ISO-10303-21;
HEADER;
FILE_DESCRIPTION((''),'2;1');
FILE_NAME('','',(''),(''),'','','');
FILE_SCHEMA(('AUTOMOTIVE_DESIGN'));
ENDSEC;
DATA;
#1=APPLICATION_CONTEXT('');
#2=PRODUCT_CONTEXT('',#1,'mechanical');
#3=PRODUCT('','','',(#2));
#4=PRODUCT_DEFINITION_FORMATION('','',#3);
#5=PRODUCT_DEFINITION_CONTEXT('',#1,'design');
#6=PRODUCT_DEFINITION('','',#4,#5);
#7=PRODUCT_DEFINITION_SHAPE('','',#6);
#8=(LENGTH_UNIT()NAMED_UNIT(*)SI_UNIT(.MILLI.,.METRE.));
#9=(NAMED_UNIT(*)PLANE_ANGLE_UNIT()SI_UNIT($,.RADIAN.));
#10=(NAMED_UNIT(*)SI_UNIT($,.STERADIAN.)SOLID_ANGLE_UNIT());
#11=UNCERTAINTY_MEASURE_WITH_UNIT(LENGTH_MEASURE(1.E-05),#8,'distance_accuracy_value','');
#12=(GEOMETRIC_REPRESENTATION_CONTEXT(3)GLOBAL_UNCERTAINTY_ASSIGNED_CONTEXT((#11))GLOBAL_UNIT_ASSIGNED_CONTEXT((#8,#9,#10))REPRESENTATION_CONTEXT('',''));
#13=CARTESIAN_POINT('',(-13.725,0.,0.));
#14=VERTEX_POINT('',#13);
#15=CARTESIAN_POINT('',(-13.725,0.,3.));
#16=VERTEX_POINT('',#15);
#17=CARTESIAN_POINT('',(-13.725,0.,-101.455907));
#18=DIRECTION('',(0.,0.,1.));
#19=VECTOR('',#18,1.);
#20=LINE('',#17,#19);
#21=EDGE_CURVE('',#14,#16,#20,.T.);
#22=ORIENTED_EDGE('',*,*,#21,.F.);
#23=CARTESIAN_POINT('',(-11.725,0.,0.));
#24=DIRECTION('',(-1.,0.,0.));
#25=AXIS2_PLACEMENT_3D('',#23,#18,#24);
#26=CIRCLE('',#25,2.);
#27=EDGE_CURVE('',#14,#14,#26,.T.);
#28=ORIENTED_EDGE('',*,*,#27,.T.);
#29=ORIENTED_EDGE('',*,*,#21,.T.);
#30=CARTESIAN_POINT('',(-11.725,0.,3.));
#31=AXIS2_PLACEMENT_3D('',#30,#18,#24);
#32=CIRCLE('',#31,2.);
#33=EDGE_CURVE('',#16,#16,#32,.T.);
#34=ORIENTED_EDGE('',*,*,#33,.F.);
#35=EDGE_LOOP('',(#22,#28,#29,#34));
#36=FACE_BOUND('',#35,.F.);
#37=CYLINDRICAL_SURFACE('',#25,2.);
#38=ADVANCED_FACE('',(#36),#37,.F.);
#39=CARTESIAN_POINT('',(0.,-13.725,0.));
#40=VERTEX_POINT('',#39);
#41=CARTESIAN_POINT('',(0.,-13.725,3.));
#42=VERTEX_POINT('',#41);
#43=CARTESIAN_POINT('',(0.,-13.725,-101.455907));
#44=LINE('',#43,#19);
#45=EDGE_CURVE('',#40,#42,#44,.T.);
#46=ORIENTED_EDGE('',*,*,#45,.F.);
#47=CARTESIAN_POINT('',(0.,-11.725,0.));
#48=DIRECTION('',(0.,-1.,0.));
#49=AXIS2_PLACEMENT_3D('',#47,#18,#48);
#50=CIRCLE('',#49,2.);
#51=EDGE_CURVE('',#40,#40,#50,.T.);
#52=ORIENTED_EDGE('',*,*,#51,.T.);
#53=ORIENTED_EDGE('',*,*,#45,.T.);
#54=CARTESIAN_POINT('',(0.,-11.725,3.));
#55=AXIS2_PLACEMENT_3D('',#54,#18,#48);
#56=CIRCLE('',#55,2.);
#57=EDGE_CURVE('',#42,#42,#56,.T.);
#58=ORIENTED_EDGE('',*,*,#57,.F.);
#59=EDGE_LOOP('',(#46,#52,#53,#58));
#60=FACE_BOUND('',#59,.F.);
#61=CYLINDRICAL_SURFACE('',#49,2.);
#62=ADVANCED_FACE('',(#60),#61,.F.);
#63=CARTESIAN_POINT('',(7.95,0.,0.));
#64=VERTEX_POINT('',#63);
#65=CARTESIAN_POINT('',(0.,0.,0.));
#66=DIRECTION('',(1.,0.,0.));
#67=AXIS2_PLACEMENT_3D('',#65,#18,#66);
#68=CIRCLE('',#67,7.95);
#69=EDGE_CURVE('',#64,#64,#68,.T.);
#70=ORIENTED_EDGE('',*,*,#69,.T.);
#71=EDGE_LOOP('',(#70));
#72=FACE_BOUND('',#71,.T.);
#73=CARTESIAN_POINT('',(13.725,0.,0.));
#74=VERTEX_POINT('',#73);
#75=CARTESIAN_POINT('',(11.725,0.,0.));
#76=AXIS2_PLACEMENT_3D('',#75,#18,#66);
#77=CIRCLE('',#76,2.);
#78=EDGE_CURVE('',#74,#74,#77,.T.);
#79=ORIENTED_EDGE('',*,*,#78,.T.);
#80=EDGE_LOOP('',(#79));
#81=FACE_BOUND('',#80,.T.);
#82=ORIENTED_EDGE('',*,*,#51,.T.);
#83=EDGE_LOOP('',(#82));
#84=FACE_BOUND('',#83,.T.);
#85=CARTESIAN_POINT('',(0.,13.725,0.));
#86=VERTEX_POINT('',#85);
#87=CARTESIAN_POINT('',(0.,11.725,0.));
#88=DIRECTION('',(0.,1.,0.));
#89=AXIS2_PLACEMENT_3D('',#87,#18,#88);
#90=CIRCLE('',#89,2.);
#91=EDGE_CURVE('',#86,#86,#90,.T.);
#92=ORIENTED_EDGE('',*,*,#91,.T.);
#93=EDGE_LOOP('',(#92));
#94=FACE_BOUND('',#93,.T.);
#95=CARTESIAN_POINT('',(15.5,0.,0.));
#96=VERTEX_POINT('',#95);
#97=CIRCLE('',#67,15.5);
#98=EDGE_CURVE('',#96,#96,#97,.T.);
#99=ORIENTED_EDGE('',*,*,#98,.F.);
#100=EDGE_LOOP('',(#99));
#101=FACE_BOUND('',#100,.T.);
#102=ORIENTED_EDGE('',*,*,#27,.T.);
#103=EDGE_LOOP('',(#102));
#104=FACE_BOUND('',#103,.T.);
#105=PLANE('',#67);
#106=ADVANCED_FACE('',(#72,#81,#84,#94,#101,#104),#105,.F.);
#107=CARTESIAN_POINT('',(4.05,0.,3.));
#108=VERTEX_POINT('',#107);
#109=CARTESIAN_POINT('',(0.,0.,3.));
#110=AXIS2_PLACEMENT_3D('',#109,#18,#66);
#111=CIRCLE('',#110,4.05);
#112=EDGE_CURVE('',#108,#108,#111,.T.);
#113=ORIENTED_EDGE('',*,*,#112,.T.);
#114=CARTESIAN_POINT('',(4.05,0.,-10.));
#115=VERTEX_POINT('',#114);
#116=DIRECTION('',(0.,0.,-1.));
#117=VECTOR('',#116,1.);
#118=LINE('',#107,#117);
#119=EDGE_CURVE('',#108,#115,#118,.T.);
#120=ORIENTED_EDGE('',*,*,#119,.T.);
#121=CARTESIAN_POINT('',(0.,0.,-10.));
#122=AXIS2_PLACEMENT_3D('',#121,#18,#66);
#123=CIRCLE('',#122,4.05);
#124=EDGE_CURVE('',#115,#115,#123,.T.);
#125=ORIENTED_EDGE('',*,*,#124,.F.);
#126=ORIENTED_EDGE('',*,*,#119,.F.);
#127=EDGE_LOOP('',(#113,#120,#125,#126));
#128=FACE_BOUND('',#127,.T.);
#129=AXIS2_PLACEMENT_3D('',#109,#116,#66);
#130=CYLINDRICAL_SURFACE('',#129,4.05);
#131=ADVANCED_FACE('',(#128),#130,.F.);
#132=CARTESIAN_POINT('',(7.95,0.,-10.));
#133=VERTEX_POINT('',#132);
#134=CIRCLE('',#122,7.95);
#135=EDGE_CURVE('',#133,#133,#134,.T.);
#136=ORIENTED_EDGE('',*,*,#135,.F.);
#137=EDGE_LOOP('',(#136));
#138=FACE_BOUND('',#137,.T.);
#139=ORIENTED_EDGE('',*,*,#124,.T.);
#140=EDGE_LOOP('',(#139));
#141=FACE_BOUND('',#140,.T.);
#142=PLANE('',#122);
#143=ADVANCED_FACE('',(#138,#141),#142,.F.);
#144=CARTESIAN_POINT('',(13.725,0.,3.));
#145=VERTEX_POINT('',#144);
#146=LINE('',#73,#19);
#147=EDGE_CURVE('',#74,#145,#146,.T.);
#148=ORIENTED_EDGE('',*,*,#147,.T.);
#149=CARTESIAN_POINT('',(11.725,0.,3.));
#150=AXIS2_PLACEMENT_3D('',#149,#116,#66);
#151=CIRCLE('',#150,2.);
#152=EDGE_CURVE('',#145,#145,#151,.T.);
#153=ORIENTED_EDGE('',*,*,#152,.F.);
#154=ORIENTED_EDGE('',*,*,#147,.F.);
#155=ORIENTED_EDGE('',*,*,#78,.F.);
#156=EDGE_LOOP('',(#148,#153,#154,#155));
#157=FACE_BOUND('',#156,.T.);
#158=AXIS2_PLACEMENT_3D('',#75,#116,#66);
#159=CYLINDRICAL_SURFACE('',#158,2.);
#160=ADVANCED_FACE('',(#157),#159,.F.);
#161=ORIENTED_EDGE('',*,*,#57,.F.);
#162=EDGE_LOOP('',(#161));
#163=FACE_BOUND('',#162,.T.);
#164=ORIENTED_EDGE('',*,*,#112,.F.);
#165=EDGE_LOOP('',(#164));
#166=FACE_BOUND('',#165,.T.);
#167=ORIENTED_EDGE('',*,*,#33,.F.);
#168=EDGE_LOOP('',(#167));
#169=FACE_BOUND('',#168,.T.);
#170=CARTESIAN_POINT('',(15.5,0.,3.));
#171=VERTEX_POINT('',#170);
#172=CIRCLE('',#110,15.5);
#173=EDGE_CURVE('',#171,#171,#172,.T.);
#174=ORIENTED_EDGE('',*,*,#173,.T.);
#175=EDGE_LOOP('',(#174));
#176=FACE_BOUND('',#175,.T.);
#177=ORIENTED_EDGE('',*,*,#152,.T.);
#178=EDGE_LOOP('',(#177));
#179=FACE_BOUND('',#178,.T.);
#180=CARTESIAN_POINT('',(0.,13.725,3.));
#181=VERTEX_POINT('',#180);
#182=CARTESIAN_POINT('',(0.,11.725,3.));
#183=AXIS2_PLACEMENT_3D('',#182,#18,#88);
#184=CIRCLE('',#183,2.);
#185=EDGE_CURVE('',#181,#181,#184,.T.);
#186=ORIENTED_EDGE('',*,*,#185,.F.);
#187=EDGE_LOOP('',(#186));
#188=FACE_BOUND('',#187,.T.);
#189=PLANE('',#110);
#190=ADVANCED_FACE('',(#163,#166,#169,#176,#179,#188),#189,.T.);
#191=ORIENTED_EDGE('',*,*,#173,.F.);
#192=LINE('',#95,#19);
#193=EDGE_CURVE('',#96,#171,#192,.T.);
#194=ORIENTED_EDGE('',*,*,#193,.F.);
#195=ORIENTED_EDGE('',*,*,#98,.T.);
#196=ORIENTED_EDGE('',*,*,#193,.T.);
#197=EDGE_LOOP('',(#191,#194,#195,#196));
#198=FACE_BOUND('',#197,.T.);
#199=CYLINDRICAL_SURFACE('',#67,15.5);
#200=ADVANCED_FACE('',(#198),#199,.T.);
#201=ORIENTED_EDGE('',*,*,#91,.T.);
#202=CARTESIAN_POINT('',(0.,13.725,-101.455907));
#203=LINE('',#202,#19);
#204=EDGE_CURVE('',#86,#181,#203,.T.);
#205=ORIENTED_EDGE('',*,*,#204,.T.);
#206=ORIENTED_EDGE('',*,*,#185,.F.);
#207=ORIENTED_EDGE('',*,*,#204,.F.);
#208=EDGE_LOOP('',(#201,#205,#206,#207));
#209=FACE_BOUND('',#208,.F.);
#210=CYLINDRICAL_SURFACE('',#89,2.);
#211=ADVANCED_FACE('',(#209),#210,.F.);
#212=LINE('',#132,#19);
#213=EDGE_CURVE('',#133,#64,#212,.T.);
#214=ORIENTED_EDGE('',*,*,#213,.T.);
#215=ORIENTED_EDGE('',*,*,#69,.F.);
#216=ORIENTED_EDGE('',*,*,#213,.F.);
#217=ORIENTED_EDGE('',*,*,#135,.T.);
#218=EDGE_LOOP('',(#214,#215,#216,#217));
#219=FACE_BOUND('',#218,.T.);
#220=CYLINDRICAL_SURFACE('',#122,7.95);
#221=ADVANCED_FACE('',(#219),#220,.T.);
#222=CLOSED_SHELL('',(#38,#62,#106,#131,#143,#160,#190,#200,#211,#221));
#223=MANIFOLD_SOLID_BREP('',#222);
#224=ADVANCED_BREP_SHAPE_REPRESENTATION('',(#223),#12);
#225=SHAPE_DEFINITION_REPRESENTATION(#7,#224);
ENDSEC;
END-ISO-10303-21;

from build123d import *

# Parameters (mm, degrees)
SKETCH009_R           = 2
POCKET001_DEPTH       = 101.455907
POCKET001_DEPTH_BACK  = 94.455907
POLARPATTERN001_COUNT = 4


with BuildPart() as part:
    # Sketch008 → Revolution005 (revolve)
    with BuildSketch(Plane.XZ):
        Polygon((4.05, 3), (4.05, -10), (7.95, -10), (7.95, 0), (15.5, 0), (15.5, 3), align=None)
    revolve(axis=Axis((0, 0, 0), (0, 0, 1)))

    # Sketch009 → Pocket001 (cut, two sides)
    with BuildSketch(Plane.XY) as pocket001_sk:
        with Locations((11.725, 0)):
            Circle(SKETCH009_R)
    pocket001 = extrude(amount=-POCKET001_DEPTH, mode=Mode.SUBTRACT) + extrude(pocket001_sk.sketch, amount=POCKET001_DEPTH_BACK, mode=Mode.SUBTRACT)

    # PolarPattern001: Pocket001 ×4 about axis
    polarpattern001_axis = Axis((0, 0, 0), (0, 0, 1))
    for i in range(1, POLARPATTERN001_COUNT):
        add(pocket001.rotate(polarpattern001_axis, i * 360 / POLARPATTERN001_COUNT), mode=Mode.SUBTRACT)


solid = part.part
